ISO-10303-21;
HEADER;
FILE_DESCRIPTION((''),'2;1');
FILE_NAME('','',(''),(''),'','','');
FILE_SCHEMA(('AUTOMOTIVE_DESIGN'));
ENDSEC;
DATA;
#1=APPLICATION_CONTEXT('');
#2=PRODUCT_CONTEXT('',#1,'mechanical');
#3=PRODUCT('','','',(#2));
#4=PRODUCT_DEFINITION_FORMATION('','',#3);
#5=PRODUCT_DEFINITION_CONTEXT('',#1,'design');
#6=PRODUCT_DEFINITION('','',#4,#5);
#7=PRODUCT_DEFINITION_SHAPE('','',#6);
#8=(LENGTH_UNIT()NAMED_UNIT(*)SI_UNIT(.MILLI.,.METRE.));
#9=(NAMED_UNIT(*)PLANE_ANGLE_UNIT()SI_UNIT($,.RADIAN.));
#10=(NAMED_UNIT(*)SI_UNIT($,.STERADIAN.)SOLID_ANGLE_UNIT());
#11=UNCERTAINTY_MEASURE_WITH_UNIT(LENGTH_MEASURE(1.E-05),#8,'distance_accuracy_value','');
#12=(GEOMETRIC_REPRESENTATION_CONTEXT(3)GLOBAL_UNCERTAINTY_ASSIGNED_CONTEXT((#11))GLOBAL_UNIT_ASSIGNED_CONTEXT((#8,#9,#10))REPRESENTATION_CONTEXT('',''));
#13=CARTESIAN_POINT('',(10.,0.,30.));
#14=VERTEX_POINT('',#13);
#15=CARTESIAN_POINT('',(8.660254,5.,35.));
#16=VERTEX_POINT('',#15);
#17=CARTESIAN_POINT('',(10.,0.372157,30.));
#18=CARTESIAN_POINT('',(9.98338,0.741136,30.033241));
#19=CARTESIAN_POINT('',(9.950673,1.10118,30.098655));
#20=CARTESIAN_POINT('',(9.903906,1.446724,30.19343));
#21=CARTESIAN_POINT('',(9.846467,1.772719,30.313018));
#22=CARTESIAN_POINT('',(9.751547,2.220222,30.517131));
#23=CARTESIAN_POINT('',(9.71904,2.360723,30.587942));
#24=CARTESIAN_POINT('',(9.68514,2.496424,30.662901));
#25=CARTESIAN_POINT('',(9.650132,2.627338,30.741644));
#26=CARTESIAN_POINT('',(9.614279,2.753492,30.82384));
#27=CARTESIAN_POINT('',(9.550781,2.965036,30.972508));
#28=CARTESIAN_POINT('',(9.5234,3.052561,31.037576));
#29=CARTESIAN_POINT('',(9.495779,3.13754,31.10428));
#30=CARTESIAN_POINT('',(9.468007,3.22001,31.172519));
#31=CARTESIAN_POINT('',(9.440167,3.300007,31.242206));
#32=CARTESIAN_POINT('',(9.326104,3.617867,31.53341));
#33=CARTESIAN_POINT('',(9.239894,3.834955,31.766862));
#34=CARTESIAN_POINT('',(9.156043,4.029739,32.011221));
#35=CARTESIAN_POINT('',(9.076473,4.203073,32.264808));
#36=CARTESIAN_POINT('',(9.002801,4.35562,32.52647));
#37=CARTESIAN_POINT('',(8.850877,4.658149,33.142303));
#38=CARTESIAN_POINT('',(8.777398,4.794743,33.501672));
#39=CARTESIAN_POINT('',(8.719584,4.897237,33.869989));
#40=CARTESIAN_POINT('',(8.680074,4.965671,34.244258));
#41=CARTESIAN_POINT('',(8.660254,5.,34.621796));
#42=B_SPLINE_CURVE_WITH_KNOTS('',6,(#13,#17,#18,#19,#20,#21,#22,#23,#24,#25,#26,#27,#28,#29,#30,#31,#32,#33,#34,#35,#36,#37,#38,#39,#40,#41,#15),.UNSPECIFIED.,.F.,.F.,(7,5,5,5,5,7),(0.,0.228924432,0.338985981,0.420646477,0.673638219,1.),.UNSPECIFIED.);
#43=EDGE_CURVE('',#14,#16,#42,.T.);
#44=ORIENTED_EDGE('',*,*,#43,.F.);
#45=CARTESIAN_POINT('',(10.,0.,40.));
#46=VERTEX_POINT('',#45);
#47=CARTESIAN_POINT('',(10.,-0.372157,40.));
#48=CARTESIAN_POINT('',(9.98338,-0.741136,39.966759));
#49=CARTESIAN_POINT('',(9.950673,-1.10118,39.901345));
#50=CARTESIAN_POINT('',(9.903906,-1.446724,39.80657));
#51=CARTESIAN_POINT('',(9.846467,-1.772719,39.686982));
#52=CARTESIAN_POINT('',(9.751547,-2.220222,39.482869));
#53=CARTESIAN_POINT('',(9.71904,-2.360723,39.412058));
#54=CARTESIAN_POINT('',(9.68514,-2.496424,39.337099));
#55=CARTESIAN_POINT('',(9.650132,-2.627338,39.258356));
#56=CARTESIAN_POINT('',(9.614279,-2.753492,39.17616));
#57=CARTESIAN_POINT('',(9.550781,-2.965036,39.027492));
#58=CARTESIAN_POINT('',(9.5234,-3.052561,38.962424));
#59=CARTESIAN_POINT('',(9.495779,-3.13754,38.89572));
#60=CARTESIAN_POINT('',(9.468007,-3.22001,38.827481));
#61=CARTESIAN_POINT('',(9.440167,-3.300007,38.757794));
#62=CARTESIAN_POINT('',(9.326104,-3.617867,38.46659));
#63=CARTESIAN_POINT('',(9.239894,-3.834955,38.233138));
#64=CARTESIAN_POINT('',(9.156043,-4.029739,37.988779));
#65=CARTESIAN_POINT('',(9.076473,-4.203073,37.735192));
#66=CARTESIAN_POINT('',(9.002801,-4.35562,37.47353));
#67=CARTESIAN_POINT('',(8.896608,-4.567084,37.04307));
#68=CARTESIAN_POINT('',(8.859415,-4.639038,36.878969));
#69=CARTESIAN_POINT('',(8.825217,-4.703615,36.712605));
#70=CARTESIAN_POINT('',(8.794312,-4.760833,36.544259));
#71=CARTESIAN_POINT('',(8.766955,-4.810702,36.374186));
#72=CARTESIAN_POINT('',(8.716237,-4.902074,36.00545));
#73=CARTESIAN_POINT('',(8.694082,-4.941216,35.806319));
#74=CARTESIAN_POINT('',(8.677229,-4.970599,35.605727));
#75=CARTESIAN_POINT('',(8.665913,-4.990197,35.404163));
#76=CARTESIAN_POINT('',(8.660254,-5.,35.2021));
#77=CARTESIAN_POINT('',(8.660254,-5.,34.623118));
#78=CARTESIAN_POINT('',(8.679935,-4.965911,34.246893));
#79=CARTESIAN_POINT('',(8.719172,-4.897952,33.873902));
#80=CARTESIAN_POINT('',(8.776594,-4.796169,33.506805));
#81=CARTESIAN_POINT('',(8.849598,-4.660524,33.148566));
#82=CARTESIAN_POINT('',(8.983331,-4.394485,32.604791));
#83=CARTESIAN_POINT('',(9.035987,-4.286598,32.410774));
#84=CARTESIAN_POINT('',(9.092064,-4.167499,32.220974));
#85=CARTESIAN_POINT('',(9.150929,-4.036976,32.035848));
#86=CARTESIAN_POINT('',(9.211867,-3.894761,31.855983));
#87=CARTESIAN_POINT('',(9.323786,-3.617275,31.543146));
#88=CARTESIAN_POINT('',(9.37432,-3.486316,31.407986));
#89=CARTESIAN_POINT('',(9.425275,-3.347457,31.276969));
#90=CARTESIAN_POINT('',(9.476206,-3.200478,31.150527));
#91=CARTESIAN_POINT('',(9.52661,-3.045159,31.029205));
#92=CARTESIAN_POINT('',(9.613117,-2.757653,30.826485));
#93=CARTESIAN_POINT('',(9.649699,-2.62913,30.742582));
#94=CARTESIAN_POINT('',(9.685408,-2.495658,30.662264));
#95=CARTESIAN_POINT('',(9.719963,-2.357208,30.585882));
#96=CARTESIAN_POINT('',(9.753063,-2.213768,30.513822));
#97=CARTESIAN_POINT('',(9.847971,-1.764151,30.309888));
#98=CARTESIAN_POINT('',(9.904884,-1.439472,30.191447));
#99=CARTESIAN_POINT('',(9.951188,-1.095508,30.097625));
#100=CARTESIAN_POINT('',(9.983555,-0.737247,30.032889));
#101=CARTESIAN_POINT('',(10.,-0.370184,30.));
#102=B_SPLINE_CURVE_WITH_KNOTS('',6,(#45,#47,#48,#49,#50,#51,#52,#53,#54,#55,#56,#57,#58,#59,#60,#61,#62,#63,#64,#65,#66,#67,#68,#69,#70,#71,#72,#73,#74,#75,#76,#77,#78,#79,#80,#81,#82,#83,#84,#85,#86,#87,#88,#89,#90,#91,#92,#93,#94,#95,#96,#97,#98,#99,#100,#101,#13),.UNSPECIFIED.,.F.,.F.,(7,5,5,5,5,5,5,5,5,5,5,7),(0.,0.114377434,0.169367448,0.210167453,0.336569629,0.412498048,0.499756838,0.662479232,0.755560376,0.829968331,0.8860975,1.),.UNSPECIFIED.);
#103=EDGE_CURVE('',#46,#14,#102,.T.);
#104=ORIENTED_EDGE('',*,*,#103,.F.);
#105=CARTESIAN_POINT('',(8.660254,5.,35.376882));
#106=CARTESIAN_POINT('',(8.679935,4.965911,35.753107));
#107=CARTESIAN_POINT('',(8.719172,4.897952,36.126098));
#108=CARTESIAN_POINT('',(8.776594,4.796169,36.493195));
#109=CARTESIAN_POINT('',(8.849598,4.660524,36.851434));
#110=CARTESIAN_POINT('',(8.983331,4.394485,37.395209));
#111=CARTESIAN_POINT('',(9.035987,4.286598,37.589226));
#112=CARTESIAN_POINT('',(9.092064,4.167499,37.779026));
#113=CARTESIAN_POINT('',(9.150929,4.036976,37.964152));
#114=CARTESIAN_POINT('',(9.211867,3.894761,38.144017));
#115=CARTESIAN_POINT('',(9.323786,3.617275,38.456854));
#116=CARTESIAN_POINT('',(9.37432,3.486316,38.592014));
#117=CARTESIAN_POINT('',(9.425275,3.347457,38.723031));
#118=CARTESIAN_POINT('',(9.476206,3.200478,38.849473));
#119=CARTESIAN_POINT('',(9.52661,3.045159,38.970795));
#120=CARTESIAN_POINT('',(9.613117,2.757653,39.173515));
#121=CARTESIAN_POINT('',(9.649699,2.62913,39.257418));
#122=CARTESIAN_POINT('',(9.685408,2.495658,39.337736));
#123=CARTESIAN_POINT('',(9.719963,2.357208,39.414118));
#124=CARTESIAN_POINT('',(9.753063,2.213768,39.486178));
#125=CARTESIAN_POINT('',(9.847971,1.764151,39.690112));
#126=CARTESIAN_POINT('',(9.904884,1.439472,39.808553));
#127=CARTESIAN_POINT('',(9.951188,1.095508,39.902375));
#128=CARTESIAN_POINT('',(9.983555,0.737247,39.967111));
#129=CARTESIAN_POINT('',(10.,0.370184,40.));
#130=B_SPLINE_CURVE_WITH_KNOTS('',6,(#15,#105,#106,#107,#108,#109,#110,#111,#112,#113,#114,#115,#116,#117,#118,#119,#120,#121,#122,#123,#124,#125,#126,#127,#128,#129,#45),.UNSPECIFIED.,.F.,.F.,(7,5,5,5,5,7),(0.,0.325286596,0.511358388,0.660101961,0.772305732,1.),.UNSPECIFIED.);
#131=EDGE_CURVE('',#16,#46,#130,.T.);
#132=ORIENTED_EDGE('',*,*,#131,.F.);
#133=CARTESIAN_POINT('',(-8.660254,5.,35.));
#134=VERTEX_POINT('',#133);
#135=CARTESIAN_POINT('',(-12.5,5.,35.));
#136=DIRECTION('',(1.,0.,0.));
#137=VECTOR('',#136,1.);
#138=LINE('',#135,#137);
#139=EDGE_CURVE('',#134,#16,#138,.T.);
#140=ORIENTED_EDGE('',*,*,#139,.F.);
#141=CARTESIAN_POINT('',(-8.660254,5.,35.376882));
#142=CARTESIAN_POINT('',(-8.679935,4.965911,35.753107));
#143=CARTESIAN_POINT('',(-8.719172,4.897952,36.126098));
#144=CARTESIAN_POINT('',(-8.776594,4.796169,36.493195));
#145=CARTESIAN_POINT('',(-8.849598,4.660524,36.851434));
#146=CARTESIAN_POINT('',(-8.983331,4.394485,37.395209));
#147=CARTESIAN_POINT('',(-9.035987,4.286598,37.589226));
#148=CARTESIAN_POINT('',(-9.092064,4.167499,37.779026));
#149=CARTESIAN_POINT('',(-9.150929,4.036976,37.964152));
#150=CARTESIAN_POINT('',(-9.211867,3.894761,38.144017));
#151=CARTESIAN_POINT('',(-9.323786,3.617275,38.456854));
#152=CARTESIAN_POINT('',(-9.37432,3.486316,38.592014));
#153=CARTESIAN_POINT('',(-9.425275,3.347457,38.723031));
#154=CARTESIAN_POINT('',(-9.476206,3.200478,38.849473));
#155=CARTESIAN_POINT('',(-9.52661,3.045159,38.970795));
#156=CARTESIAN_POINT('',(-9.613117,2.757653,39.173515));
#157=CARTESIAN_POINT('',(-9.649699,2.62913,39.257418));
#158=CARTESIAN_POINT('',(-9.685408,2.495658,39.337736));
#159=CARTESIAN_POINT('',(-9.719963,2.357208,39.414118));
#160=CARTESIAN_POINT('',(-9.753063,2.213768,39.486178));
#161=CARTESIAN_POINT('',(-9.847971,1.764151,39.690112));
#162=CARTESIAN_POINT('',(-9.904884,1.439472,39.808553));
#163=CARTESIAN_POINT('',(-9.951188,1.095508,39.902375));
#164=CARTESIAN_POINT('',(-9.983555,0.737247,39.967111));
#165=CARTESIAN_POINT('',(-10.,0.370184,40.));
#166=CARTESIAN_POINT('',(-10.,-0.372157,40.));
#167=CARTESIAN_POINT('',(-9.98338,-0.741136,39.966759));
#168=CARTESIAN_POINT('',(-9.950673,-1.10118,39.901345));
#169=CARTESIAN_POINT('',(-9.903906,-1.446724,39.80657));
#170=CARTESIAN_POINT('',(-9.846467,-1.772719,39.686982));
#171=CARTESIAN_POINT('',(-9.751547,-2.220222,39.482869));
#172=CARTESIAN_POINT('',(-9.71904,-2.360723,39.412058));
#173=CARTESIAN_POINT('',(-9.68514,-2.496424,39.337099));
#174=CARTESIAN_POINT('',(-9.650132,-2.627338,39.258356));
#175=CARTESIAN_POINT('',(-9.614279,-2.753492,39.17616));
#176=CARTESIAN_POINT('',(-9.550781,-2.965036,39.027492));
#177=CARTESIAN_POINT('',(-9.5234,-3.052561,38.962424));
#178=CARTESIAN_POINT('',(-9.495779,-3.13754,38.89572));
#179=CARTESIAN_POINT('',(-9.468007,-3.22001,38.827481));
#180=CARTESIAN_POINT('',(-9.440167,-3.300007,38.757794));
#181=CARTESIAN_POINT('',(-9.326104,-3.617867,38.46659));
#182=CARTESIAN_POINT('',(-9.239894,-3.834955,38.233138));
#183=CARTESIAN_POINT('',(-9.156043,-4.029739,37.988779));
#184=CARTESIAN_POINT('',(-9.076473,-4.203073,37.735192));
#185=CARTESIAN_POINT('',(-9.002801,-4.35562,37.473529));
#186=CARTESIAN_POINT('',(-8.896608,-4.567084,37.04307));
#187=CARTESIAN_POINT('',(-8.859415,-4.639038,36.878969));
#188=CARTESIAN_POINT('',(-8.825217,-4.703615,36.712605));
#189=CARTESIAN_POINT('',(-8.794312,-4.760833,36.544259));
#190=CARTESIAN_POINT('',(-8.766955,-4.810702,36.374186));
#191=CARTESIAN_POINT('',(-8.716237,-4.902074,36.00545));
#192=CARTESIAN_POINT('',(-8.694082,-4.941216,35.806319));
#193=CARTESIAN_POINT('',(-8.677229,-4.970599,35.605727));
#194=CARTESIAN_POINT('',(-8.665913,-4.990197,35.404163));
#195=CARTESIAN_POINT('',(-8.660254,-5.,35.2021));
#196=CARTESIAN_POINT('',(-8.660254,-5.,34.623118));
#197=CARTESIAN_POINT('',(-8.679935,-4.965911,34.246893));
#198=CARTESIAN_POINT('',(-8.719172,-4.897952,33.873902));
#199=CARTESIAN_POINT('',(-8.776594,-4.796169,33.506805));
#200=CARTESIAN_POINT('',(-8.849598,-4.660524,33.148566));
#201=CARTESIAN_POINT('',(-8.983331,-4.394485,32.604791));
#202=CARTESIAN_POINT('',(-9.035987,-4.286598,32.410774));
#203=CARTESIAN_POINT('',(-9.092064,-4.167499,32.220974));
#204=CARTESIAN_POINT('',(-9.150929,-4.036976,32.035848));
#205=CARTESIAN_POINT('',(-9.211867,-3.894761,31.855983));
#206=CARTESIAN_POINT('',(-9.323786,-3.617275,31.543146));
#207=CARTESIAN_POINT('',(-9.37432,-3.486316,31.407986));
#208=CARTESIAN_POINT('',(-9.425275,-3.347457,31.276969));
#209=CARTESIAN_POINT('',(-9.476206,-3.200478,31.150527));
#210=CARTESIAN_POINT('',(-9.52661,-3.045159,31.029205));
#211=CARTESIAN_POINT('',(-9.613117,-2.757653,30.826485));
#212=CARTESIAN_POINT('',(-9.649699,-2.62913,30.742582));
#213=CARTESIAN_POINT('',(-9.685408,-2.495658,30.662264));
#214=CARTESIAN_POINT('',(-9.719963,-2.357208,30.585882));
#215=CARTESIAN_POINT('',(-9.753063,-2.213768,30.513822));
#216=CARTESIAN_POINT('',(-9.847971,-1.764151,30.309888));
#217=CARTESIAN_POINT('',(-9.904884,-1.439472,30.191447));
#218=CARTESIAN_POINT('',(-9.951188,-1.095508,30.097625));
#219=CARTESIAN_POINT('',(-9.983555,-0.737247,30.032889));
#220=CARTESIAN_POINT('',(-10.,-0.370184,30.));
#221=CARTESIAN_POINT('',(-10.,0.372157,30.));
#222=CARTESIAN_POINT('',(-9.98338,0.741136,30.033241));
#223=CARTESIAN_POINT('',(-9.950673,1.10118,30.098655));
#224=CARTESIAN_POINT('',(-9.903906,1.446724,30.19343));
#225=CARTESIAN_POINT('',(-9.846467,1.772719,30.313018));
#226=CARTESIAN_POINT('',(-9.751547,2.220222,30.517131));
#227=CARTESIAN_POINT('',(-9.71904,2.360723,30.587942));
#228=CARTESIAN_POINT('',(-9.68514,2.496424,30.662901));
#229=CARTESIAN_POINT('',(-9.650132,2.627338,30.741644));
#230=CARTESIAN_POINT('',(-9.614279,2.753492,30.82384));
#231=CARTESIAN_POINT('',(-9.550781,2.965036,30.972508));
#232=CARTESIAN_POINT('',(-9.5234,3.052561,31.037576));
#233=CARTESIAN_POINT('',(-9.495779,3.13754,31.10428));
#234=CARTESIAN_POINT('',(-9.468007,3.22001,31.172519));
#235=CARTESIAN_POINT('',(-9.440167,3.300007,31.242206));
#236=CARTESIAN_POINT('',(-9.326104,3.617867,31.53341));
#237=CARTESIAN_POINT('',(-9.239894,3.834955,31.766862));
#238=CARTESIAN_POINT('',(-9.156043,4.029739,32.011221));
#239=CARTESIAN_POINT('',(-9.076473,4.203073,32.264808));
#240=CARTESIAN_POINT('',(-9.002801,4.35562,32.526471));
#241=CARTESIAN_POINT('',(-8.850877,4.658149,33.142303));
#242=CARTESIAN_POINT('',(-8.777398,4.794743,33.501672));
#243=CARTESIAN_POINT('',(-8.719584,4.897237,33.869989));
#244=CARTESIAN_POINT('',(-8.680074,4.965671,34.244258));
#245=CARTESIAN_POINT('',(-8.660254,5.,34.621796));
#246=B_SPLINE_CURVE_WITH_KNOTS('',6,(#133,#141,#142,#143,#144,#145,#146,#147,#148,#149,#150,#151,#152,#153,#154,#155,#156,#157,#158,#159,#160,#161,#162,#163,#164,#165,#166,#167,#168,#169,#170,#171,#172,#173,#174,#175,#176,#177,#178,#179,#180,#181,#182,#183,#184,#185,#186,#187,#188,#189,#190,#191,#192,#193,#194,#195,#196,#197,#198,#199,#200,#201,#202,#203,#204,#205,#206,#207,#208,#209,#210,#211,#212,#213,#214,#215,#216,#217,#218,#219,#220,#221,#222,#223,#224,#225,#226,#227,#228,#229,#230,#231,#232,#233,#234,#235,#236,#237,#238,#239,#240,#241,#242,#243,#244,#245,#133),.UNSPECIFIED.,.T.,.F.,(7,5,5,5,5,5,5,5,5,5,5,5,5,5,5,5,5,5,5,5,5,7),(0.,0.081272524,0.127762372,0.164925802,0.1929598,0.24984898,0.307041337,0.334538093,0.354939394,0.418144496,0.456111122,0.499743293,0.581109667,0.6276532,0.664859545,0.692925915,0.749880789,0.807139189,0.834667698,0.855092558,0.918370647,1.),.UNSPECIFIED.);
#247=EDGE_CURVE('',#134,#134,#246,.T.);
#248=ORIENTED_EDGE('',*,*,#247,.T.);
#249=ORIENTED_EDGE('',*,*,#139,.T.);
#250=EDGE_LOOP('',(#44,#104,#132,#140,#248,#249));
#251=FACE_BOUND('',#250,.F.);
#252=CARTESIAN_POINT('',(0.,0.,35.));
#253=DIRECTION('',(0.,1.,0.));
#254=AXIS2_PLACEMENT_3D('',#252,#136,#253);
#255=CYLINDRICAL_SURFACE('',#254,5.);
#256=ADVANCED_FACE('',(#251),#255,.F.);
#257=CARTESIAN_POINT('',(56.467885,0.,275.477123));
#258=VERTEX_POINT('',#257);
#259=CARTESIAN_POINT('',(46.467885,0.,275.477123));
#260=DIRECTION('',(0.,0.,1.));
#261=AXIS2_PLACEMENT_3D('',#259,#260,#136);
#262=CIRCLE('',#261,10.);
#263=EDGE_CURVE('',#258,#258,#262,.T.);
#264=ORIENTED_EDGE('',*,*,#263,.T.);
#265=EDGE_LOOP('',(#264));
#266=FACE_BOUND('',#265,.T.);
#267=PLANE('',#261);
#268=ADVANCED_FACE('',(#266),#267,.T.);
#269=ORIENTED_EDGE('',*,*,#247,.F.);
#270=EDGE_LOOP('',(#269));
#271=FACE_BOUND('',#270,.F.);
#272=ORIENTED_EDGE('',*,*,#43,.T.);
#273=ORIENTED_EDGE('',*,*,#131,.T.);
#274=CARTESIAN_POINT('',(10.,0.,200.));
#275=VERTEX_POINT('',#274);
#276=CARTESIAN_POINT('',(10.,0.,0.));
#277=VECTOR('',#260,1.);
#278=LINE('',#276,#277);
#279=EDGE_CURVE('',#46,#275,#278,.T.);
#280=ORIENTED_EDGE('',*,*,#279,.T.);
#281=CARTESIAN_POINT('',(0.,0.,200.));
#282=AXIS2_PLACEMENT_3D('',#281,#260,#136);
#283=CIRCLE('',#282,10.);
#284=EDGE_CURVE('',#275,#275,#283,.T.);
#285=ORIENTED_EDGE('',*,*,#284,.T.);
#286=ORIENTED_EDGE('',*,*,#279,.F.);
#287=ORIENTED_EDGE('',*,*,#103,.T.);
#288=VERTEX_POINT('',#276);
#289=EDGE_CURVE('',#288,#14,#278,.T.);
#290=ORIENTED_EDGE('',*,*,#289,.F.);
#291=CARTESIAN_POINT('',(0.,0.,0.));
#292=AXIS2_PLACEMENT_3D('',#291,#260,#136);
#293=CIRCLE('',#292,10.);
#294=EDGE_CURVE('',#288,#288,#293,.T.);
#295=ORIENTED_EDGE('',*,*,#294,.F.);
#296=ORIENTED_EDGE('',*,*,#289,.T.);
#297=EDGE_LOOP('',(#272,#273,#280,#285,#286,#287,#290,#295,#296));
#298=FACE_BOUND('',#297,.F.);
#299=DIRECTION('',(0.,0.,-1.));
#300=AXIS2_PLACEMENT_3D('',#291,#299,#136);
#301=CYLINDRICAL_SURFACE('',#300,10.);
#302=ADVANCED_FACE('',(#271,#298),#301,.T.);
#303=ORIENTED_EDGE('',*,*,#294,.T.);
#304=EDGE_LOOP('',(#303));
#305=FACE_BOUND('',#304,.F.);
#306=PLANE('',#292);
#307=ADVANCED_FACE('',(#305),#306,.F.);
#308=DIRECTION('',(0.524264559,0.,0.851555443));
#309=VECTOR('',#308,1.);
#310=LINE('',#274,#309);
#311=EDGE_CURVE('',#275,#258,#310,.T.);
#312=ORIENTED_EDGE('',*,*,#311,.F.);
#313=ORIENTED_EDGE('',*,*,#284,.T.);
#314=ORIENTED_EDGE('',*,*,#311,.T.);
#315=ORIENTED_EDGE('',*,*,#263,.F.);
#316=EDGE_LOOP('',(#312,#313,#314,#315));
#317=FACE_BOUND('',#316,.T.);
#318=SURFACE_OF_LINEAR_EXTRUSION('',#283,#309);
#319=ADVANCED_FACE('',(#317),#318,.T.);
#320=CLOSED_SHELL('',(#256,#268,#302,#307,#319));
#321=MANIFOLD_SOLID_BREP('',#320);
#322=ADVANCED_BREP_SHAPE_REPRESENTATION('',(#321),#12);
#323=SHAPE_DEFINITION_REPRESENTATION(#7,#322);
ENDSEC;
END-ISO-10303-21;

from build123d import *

# Parameters (mm, degrees)
F0_R      = 10
F1_DEPTH  = 200
F2_R      = 5
F3_DEPTH  = 12.5
F1_FACE_R = 10


with BuildPart() as f1:
    # F0 (on Top) → F1 (new body)
    with BuildSketch(Plane.XY):
        Circle(F0_R)
    extrude(amount=F1_DEPTH)

    # F2 (on Right) → F3 (cut, symmetric)
    with BuildSketch(Plane.YZ):
        with Locations((0, 35)):
            Circle(F2_R)
    extrude(amount=F3_DEPTH, both=True, mode=Mode.SUBTRACT)

    # F5: sweep along a path in F4
    with BuildLine(Plane.XZ) as f5_path:
        Line((0, 200), (46.467885375, 275.4771232605))
    # F1_face (on face) → F5 (sweep)
    with BuildSketch(Plane.XY.offset(200)):
        Circle(F1_FACE_R)
    sweep(path=f5_path.line)


solid = f1.part
